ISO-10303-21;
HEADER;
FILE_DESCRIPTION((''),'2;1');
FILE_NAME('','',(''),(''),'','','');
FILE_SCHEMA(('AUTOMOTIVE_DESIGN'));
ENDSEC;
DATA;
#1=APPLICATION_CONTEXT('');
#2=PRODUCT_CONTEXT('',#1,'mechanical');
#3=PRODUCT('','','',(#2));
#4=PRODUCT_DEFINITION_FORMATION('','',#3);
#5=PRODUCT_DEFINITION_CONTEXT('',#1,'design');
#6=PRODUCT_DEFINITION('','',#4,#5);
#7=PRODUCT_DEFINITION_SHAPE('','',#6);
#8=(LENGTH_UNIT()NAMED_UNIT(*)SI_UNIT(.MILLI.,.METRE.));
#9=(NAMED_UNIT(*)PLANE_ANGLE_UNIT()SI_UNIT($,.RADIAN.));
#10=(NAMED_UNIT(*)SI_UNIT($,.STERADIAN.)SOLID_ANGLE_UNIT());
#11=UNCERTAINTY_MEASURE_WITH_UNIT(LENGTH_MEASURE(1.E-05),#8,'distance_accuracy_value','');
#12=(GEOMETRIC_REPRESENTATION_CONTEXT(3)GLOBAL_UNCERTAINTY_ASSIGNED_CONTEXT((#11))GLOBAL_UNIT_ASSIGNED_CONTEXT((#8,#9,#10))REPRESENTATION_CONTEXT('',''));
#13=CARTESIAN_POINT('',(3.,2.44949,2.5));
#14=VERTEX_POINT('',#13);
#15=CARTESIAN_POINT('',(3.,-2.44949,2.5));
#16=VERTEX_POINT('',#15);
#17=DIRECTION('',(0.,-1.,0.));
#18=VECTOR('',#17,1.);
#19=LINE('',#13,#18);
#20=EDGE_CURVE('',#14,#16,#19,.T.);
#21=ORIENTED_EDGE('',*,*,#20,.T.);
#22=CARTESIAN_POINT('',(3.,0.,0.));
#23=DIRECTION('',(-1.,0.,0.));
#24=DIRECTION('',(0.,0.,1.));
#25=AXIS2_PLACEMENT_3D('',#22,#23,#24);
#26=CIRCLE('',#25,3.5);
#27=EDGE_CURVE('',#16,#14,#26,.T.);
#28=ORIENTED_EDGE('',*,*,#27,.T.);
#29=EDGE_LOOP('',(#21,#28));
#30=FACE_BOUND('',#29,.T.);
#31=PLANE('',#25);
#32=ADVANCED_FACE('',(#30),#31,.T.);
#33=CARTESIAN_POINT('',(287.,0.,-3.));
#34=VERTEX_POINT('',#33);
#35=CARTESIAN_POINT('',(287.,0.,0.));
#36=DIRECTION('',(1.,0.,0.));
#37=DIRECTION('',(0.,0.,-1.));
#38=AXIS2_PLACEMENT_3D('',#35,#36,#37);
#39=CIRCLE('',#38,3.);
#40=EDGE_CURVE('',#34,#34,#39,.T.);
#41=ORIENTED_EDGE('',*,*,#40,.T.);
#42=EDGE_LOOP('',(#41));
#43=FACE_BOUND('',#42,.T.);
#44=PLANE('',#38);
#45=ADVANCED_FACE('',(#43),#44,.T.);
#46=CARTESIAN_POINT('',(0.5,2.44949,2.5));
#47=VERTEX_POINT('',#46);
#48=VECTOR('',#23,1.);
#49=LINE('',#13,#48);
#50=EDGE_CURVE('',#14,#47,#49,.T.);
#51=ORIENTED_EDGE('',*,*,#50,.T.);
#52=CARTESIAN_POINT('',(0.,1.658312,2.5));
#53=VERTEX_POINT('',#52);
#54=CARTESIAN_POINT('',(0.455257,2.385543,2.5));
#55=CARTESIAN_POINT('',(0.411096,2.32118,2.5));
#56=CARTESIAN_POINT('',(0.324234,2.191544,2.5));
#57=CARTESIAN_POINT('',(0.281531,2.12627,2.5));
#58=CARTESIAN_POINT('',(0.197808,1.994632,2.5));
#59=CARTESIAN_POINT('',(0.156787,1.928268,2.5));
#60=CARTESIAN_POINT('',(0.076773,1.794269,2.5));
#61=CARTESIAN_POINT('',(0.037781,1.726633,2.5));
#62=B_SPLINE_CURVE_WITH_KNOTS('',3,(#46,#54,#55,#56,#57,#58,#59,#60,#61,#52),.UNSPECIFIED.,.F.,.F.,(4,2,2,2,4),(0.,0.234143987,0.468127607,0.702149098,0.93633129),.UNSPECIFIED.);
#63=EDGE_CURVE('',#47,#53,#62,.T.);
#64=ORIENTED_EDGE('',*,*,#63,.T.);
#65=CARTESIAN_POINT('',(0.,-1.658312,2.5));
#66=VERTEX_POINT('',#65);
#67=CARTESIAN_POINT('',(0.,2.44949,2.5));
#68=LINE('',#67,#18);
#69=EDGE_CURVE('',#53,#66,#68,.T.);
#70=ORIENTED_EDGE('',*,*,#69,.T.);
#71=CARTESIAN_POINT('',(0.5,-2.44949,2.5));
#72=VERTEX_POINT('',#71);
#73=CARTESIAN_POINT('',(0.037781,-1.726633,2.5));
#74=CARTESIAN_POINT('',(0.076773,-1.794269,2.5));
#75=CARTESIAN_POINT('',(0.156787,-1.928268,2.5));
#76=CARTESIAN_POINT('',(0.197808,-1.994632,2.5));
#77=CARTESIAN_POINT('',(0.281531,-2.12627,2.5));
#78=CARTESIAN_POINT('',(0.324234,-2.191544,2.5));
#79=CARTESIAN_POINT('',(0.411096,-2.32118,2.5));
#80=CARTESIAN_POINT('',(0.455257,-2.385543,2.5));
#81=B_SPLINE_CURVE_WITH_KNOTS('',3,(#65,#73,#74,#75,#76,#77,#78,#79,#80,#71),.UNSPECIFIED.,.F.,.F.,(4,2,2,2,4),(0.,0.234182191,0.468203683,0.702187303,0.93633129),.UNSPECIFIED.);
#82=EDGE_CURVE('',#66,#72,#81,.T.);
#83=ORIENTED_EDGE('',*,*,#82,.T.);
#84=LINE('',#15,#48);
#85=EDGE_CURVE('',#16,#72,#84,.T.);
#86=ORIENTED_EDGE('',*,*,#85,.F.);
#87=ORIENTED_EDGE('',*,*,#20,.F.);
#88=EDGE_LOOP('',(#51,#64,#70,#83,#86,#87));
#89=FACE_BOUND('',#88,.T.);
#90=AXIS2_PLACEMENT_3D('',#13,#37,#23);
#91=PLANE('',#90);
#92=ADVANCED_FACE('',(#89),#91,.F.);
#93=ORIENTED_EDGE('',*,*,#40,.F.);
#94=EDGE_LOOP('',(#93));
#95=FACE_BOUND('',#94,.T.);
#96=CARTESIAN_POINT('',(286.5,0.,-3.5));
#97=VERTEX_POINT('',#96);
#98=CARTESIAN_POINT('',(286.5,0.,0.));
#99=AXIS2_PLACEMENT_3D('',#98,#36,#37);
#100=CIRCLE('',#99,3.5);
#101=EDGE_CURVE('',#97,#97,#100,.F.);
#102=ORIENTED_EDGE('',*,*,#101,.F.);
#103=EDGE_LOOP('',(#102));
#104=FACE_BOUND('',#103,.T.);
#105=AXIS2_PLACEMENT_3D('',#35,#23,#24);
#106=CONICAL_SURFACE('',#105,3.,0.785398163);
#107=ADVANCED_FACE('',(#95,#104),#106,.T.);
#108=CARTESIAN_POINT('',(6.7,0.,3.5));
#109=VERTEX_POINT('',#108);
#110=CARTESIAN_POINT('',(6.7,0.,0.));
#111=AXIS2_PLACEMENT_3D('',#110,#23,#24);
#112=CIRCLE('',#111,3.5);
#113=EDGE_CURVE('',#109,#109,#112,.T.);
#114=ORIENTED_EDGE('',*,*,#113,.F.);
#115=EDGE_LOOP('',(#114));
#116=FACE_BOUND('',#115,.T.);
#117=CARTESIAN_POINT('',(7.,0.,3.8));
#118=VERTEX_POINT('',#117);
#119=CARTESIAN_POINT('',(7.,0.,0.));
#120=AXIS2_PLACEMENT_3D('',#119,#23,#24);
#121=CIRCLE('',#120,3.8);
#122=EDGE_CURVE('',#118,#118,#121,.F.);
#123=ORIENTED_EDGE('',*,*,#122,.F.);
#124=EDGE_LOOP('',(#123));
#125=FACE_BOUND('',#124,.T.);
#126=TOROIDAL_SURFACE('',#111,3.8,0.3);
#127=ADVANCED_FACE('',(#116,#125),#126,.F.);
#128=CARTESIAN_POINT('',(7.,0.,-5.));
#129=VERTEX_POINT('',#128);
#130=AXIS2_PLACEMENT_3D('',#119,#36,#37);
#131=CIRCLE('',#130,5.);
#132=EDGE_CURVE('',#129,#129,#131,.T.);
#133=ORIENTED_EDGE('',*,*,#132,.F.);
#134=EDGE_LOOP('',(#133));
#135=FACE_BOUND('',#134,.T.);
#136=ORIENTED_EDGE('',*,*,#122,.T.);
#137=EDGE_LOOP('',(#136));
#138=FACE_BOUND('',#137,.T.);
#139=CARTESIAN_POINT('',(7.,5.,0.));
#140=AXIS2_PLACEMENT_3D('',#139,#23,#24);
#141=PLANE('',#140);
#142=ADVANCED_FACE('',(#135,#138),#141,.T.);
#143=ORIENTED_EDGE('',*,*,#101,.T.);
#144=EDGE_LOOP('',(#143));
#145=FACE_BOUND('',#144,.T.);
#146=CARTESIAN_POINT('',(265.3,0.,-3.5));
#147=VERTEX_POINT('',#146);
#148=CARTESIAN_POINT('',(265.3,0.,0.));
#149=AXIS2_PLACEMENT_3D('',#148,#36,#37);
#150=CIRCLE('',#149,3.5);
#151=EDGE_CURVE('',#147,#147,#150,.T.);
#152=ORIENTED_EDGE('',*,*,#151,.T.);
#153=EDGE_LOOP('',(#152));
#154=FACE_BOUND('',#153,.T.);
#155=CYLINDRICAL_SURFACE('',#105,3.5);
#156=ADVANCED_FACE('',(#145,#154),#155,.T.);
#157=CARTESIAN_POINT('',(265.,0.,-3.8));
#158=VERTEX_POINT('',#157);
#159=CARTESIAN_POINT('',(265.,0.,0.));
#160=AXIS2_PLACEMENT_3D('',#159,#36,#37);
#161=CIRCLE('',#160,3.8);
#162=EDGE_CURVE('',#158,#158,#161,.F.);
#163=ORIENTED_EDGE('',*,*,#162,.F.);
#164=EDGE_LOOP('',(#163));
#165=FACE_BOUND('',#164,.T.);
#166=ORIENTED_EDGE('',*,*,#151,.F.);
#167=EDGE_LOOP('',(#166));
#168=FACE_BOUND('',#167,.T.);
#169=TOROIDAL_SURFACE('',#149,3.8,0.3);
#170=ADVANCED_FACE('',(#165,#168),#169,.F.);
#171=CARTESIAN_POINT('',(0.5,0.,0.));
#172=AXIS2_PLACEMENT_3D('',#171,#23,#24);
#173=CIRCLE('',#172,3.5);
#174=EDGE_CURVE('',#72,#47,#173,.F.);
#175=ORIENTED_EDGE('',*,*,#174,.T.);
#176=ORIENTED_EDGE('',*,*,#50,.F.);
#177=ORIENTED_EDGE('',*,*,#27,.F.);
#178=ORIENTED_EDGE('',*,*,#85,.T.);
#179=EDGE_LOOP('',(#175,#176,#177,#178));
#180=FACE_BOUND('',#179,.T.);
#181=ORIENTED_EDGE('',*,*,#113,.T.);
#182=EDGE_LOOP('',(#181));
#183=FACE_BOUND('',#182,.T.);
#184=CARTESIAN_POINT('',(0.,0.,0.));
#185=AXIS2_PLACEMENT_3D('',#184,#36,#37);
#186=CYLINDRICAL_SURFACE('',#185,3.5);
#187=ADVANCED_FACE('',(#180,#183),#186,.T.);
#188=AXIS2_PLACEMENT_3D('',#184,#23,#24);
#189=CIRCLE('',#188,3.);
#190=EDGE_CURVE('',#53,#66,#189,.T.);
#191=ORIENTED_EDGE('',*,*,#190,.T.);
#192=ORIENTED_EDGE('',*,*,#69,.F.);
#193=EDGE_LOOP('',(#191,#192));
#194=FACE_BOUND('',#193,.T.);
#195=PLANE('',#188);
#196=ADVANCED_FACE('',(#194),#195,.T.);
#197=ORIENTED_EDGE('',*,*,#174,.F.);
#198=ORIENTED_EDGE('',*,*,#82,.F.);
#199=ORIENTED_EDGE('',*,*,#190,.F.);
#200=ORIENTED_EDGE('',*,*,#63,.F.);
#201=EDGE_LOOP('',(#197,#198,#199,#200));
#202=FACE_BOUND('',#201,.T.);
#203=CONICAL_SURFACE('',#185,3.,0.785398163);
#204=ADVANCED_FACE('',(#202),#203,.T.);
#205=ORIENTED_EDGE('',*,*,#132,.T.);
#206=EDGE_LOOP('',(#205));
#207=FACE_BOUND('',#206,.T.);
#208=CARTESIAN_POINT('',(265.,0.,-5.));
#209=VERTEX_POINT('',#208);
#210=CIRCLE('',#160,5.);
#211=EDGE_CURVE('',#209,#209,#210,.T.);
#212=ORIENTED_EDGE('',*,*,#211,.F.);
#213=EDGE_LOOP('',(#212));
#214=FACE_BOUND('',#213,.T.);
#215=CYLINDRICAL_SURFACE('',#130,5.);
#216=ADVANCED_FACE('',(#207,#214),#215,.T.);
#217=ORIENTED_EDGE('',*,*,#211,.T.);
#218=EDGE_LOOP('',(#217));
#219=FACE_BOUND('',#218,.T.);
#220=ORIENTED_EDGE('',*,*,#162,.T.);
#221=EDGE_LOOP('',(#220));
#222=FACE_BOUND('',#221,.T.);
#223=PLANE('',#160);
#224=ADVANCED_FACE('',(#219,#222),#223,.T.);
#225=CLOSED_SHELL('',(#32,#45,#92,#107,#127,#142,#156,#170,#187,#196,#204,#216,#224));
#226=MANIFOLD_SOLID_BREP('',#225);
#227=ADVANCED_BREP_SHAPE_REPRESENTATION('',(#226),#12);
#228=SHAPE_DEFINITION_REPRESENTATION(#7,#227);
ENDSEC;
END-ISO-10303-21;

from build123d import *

# Parameters (mm, degrees)
SKETCH1_W           = 258
SKETCH1_H           = 5
SKETCH2_R           = 3.5
BOSS_EXTRUDE1_DEPTH = 7
CUT_EXTRUDE1_START  = -3
CUT_EXTRUDE1_DEPTH  = 3
BOSS_EXTRUDE2_START = 22
SKETCH4_R           = 3.5
BOSS_EXTRUDE2_DEPTH = 22
CHAMFER1_SIZE       = 0.5
FILLET1_R           = 0.3


with BuildPart() as part:
    # Sketch1 → Revolve1 (revolve)
    with BuildSketch(Plane.XY, mode=Mode.PRIVATE) as revolve1_sk:
        with Locations((136, 2.5)):
            Rectangle(SKETCH1_W, SKETCH1_H)
    revolve(revolve1_sk.sketch.rotate(Axis((7, 0, 0), (1, 0, 0)), 270), axis=Axis((7, 0, 0), (1, 0, 0)))

    # Sketch2 → Boss-Extrude1 (add)
    with BuildSketch(Plane.ZY.offset(-7)):
        Circle(SKETCH2_R)
    extrude(amount=BOSS_EXTRUDE1_DEPTH)

    # Sketch3 → Cut-Extrude1 (cut)
    with BuildSketch(Plane.ZY.offset(CUT_EXTRUDE1_START)):
        with BuildLine():
            Line((2.5, 2.449489743), (2.5, -2.449489743))
            ThreePointArc((2.5, -2.449489743), (3.5, 0), (2.5, 2.449489743))
        make_face()
    extrude(amount=CUT_EXTRUDE1_DEPTH, mode=Mode.SUBTRACT)

    # Sketch4 → Boss-Extrude2 (add)
    with BuildSketch(Plane(origin=(265, 0, 0), x_dir=(0, 0, -1), z_dir=(1, 0, 0)).offset(BOSS_EXTRUDE2_START)):
        with Locations(Location((0, 0, 0), (0, 0, 135.584691403))):
            Circle(SKETCH4_R)
    extrude(amount=-BOSS_EXTRUDE2_DEPTH)

    # Chamfer1
    chamfer1_edges = [part.edges().sort_by_distance(p)[0] for p in [
        (287, -2.449489743, -2.5),
        (0, 0, -3.5),
    ]]
    chamfer(chamfer1_edges, length=CHAMFER1_SIZE)

    # Fillet1
    fillet1_edges = [part.edges().sort_by_distance(p)[0] for p in [
        (265, -2.449489743, -2.5),
        (7, 0, -3.5),
    ]]
    fillet(fillet1_edges, radius=FILLET1_R)


solid = part.part
